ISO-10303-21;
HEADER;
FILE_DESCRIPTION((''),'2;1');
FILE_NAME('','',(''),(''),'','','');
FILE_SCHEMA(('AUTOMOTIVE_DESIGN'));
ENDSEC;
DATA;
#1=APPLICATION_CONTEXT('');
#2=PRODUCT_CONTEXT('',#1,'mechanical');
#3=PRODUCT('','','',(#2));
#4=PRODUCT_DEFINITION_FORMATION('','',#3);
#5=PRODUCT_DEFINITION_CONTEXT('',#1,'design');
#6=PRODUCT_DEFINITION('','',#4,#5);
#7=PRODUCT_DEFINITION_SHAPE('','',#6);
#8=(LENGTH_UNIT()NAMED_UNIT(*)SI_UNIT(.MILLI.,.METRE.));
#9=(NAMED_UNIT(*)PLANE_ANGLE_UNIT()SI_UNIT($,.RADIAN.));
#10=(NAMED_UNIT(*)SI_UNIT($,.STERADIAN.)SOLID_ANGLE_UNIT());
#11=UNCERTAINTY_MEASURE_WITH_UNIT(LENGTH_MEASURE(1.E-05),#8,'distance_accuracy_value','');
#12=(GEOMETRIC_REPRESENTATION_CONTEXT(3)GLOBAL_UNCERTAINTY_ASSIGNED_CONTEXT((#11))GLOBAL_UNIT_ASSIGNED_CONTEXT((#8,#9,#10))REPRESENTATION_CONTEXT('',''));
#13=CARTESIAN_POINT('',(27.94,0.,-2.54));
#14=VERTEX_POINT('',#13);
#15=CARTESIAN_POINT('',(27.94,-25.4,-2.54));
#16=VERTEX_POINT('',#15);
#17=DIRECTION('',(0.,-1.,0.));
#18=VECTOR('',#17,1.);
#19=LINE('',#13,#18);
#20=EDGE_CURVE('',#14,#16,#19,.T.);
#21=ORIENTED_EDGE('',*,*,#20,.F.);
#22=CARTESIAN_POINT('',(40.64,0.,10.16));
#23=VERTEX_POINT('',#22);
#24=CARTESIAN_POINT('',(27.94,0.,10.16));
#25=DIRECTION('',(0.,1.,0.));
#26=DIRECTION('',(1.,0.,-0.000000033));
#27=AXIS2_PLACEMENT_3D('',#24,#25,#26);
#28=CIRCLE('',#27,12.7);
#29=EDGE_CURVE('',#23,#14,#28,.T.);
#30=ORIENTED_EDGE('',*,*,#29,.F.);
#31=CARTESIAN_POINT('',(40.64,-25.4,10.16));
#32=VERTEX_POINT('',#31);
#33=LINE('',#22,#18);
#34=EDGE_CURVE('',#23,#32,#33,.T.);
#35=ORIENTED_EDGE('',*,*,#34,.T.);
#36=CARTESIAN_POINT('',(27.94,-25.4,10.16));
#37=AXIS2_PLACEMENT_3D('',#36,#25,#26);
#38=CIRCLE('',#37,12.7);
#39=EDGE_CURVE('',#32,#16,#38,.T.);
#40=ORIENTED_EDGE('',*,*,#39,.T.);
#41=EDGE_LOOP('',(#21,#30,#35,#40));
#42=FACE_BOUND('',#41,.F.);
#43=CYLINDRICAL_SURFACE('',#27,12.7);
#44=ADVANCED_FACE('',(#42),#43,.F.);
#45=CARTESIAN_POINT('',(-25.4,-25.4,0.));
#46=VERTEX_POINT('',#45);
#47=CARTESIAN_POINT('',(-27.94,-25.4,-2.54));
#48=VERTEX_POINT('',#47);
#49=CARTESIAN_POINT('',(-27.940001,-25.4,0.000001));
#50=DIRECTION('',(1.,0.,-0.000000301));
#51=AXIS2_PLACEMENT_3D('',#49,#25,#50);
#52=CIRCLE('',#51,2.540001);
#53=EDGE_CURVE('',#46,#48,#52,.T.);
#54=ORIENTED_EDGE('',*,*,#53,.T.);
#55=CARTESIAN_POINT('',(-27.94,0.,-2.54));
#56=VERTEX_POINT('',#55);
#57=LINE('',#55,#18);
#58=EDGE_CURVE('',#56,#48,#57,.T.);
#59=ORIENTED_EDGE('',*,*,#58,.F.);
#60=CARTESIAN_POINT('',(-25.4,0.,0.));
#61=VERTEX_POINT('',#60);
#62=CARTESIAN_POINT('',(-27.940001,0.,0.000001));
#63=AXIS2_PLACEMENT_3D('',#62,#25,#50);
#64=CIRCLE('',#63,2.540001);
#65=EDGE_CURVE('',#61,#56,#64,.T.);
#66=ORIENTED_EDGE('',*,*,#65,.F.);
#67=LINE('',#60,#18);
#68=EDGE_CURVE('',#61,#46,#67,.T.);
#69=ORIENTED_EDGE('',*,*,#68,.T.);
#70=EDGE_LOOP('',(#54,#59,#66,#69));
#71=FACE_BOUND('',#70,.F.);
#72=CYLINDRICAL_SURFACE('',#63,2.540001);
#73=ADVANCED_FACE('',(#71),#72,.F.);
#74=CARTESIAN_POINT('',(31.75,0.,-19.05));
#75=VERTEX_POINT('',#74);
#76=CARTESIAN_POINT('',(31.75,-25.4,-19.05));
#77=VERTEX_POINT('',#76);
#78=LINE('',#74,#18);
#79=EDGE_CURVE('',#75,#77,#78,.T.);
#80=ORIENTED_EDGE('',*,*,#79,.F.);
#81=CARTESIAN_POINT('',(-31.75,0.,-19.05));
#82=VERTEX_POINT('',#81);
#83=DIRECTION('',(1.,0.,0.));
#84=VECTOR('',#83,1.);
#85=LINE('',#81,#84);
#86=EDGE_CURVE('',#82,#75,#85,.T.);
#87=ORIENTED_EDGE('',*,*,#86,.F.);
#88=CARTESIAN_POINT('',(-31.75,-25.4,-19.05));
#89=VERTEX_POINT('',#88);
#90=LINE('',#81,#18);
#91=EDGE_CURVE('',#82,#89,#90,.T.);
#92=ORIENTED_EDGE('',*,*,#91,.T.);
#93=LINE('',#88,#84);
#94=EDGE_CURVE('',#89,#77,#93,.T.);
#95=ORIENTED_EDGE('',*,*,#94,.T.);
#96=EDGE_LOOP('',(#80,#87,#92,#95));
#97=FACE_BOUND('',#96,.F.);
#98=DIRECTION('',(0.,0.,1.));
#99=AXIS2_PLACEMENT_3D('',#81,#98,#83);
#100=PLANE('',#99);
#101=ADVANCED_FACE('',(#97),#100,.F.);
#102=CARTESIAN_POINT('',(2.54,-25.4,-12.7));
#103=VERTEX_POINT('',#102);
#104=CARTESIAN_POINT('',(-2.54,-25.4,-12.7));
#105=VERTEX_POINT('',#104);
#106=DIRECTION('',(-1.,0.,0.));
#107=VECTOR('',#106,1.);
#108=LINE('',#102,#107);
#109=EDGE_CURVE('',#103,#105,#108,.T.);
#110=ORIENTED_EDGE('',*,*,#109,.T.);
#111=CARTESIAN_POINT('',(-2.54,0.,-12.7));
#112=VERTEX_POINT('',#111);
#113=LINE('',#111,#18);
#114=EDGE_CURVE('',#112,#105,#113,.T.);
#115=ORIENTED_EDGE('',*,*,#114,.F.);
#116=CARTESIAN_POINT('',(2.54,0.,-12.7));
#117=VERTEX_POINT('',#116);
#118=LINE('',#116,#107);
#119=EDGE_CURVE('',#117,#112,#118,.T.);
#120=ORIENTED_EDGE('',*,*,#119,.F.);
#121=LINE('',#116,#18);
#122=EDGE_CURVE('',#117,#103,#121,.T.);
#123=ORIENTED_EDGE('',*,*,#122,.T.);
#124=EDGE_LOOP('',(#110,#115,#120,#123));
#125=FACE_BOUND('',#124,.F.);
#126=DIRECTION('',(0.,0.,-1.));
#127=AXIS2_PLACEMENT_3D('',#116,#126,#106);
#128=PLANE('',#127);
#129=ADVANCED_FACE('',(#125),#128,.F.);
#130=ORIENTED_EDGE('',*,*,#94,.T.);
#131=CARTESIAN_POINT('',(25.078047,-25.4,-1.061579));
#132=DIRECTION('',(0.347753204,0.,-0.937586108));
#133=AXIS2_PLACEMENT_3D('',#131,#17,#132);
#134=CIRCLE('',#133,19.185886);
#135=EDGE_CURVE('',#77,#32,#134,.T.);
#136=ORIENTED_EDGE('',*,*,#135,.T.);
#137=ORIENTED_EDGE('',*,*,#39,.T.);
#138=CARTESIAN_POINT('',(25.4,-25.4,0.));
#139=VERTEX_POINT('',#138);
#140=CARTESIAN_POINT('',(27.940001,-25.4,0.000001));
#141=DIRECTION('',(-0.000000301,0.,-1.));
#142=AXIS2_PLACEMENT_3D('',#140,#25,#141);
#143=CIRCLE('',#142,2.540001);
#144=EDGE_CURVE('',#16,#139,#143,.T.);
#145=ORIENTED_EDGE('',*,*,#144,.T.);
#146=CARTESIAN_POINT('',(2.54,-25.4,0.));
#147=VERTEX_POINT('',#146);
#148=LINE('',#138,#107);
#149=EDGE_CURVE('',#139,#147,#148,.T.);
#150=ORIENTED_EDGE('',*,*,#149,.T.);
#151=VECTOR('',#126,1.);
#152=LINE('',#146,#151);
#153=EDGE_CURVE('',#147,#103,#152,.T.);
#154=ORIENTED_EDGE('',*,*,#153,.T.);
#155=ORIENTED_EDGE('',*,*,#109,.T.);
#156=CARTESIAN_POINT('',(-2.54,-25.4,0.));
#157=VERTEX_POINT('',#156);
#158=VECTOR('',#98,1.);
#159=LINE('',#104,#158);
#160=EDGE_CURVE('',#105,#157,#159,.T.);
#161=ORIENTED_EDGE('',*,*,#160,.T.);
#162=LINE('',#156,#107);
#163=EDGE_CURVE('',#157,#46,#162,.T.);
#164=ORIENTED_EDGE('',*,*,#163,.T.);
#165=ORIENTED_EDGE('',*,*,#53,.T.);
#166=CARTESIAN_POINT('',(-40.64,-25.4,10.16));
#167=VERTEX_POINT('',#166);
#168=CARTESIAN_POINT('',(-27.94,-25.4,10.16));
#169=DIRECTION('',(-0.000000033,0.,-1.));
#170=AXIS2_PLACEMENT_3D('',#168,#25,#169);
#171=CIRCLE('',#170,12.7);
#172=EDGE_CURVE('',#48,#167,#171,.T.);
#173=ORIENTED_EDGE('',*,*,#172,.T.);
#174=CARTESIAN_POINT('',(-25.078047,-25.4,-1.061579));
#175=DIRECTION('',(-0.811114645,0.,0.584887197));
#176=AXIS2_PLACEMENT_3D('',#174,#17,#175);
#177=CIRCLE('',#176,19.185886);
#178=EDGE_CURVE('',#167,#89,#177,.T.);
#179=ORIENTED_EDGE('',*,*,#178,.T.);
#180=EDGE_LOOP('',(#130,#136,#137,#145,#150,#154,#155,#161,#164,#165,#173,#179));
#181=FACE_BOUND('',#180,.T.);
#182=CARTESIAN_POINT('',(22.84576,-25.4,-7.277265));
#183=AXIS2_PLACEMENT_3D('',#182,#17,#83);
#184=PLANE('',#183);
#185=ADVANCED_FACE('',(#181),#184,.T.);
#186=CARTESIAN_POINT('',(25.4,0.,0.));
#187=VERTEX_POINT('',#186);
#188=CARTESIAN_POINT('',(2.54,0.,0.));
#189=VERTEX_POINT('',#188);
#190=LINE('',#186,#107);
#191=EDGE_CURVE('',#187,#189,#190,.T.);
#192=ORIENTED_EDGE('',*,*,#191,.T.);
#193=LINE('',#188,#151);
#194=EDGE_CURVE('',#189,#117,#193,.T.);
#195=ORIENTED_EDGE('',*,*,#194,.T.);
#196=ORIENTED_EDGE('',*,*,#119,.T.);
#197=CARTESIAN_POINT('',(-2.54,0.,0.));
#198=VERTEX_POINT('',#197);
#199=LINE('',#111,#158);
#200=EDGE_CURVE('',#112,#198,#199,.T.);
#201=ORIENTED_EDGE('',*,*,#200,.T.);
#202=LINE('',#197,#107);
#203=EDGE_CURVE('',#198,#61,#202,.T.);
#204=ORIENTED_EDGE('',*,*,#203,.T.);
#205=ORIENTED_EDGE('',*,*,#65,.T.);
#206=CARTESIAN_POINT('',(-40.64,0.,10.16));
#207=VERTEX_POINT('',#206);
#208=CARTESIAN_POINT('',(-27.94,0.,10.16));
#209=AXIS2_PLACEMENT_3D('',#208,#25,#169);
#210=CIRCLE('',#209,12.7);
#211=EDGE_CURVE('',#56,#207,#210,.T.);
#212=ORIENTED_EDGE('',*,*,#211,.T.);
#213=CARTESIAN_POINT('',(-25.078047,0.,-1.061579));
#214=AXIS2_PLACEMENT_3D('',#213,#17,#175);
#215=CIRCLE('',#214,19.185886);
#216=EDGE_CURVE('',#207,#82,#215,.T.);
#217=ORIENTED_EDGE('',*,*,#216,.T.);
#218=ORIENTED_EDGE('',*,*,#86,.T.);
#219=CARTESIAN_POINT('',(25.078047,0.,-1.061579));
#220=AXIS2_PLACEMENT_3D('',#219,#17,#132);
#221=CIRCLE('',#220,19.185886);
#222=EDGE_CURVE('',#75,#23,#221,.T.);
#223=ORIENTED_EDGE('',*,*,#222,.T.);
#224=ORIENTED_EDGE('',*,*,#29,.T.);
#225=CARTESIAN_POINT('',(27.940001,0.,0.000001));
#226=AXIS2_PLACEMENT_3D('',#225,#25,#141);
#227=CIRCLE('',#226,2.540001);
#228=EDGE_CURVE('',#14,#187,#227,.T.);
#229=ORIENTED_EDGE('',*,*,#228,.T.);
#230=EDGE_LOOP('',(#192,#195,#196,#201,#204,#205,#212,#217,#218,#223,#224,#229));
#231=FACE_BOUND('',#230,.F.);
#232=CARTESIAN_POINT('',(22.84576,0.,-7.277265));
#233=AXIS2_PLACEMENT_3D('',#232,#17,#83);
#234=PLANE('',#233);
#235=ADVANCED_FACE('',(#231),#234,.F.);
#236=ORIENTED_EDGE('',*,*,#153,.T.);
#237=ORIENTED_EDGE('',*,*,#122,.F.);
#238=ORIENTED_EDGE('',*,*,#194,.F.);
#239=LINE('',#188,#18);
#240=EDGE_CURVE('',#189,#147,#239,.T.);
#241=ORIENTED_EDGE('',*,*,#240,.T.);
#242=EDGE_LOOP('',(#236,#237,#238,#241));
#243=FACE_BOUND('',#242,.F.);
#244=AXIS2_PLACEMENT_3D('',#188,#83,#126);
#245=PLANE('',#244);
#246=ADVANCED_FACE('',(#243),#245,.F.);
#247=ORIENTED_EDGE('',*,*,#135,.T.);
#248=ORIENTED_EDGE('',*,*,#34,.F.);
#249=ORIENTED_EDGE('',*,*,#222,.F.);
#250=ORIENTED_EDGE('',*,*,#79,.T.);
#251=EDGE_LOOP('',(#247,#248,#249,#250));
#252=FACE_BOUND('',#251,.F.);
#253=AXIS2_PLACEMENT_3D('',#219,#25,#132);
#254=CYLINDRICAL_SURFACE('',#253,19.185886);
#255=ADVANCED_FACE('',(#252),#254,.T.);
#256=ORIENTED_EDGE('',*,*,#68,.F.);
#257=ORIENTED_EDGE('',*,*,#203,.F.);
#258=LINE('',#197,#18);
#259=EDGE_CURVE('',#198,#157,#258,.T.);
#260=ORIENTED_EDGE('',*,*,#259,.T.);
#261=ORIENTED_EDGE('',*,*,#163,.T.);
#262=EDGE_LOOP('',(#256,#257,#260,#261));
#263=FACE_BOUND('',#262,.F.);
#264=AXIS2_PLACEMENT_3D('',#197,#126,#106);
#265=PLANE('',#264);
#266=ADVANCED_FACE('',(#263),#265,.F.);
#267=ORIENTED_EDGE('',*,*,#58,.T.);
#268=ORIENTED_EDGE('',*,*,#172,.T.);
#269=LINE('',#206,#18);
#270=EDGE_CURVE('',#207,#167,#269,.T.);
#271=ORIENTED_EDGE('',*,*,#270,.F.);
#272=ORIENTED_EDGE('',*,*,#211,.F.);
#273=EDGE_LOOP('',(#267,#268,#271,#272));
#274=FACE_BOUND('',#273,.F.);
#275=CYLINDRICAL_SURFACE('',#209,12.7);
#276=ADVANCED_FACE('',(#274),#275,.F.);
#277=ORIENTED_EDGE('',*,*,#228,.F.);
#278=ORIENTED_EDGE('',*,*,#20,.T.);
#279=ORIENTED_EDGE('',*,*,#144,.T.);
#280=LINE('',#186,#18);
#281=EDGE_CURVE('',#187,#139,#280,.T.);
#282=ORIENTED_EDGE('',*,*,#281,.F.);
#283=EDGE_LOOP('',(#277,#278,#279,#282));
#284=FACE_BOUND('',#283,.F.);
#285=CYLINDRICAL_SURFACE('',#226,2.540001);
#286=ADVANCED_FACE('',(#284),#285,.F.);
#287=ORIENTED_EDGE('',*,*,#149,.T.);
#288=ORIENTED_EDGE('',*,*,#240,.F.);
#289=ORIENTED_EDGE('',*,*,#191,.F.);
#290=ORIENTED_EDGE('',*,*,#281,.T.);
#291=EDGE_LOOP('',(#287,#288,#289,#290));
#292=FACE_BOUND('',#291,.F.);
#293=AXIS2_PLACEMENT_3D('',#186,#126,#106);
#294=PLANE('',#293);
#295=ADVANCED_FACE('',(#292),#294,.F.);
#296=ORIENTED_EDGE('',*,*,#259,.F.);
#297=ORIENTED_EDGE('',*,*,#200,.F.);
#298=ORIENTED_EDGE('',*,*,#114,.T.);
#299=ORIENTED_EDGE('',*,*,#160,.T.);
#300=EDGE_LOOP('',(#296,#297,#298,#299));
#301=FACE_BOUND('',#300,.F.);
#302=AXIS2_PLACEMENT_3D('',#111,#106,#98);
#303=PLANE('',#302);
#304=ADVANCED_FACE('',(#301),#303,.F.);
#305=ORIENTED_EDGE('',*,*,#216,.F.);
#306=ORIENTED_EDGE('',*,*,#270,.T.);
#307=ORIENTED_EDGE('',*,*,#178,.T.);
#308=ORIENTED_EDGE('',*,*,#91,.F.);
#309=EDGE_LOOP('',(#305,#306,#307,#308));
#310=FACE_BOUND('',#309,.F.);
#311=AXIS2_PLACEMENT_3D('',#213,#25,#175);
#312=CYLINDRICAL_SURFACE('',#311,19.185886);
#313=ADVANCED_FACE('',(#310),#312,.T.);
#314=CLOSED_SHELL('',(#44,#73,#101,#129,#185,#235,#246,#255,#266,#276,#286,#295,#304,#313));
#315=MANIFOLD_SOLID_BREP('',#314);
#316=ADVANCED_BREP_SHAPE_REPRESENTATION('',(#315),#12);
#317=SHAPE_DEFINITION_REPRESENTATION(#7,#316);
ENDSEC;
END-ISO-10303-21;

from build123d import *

# Parameters (mm, degrees)
F1_DEPTH = 25.4


with BuildPart() as f1:
    # F0 (on Front) → F1 (new body)
    with BuildSketch(Plane.XZ):
        with BuildLine():
            Line((2.54, -12.7), (0, -12.7))
            Line((0, -12.7), (0, -19.05))
            Line((0, -19.05), (31.75, -19.05))
            ThreePointArc((31.75, -19.05), (43.432683, -6.647773), (40.64, 10.16))
            ThreePointArc((40.64, 10.16), (36.920256, 1.179744), (27.94, -2.54))
            ThreePointArc((27.94, -2.54), (26.143949, -1.796051), (25.4, 0))
            Line((25.4, 0), (19.05, 0))
            Line((19.05, 0), (2.54, 0))
            Line((2.54, 0), (2.54, -12.7))
        make_face()
        with BuildLine():
            Line((-2.54, -12.7), (-2.54, 0))
            Line((-2.54, 0), (-19.05, 0))
            Line((-19.05, 0), (-25.4, 0))
            ThreePointArc((-25.4, 0), (-26.143949, -1.796051), (-27.94, -2.54))
            ThreePointArc((-27.94, -2.54), (-36.920256, 1.179744), (-40.64, 10.16))
            ThreePointArc((-40.64, 10.16), (-43.432683, -6.647773), (-31.75, -19.05))
            Line((-31.75, -19.05), (0, -19.05))
            Line((0, -19.05), (0, -12.7))
            Line((0, -12.7), (-2.54, -12.7))
        make_face()
    extrude(amount=F1_DEPTH)


solid = f1.part
